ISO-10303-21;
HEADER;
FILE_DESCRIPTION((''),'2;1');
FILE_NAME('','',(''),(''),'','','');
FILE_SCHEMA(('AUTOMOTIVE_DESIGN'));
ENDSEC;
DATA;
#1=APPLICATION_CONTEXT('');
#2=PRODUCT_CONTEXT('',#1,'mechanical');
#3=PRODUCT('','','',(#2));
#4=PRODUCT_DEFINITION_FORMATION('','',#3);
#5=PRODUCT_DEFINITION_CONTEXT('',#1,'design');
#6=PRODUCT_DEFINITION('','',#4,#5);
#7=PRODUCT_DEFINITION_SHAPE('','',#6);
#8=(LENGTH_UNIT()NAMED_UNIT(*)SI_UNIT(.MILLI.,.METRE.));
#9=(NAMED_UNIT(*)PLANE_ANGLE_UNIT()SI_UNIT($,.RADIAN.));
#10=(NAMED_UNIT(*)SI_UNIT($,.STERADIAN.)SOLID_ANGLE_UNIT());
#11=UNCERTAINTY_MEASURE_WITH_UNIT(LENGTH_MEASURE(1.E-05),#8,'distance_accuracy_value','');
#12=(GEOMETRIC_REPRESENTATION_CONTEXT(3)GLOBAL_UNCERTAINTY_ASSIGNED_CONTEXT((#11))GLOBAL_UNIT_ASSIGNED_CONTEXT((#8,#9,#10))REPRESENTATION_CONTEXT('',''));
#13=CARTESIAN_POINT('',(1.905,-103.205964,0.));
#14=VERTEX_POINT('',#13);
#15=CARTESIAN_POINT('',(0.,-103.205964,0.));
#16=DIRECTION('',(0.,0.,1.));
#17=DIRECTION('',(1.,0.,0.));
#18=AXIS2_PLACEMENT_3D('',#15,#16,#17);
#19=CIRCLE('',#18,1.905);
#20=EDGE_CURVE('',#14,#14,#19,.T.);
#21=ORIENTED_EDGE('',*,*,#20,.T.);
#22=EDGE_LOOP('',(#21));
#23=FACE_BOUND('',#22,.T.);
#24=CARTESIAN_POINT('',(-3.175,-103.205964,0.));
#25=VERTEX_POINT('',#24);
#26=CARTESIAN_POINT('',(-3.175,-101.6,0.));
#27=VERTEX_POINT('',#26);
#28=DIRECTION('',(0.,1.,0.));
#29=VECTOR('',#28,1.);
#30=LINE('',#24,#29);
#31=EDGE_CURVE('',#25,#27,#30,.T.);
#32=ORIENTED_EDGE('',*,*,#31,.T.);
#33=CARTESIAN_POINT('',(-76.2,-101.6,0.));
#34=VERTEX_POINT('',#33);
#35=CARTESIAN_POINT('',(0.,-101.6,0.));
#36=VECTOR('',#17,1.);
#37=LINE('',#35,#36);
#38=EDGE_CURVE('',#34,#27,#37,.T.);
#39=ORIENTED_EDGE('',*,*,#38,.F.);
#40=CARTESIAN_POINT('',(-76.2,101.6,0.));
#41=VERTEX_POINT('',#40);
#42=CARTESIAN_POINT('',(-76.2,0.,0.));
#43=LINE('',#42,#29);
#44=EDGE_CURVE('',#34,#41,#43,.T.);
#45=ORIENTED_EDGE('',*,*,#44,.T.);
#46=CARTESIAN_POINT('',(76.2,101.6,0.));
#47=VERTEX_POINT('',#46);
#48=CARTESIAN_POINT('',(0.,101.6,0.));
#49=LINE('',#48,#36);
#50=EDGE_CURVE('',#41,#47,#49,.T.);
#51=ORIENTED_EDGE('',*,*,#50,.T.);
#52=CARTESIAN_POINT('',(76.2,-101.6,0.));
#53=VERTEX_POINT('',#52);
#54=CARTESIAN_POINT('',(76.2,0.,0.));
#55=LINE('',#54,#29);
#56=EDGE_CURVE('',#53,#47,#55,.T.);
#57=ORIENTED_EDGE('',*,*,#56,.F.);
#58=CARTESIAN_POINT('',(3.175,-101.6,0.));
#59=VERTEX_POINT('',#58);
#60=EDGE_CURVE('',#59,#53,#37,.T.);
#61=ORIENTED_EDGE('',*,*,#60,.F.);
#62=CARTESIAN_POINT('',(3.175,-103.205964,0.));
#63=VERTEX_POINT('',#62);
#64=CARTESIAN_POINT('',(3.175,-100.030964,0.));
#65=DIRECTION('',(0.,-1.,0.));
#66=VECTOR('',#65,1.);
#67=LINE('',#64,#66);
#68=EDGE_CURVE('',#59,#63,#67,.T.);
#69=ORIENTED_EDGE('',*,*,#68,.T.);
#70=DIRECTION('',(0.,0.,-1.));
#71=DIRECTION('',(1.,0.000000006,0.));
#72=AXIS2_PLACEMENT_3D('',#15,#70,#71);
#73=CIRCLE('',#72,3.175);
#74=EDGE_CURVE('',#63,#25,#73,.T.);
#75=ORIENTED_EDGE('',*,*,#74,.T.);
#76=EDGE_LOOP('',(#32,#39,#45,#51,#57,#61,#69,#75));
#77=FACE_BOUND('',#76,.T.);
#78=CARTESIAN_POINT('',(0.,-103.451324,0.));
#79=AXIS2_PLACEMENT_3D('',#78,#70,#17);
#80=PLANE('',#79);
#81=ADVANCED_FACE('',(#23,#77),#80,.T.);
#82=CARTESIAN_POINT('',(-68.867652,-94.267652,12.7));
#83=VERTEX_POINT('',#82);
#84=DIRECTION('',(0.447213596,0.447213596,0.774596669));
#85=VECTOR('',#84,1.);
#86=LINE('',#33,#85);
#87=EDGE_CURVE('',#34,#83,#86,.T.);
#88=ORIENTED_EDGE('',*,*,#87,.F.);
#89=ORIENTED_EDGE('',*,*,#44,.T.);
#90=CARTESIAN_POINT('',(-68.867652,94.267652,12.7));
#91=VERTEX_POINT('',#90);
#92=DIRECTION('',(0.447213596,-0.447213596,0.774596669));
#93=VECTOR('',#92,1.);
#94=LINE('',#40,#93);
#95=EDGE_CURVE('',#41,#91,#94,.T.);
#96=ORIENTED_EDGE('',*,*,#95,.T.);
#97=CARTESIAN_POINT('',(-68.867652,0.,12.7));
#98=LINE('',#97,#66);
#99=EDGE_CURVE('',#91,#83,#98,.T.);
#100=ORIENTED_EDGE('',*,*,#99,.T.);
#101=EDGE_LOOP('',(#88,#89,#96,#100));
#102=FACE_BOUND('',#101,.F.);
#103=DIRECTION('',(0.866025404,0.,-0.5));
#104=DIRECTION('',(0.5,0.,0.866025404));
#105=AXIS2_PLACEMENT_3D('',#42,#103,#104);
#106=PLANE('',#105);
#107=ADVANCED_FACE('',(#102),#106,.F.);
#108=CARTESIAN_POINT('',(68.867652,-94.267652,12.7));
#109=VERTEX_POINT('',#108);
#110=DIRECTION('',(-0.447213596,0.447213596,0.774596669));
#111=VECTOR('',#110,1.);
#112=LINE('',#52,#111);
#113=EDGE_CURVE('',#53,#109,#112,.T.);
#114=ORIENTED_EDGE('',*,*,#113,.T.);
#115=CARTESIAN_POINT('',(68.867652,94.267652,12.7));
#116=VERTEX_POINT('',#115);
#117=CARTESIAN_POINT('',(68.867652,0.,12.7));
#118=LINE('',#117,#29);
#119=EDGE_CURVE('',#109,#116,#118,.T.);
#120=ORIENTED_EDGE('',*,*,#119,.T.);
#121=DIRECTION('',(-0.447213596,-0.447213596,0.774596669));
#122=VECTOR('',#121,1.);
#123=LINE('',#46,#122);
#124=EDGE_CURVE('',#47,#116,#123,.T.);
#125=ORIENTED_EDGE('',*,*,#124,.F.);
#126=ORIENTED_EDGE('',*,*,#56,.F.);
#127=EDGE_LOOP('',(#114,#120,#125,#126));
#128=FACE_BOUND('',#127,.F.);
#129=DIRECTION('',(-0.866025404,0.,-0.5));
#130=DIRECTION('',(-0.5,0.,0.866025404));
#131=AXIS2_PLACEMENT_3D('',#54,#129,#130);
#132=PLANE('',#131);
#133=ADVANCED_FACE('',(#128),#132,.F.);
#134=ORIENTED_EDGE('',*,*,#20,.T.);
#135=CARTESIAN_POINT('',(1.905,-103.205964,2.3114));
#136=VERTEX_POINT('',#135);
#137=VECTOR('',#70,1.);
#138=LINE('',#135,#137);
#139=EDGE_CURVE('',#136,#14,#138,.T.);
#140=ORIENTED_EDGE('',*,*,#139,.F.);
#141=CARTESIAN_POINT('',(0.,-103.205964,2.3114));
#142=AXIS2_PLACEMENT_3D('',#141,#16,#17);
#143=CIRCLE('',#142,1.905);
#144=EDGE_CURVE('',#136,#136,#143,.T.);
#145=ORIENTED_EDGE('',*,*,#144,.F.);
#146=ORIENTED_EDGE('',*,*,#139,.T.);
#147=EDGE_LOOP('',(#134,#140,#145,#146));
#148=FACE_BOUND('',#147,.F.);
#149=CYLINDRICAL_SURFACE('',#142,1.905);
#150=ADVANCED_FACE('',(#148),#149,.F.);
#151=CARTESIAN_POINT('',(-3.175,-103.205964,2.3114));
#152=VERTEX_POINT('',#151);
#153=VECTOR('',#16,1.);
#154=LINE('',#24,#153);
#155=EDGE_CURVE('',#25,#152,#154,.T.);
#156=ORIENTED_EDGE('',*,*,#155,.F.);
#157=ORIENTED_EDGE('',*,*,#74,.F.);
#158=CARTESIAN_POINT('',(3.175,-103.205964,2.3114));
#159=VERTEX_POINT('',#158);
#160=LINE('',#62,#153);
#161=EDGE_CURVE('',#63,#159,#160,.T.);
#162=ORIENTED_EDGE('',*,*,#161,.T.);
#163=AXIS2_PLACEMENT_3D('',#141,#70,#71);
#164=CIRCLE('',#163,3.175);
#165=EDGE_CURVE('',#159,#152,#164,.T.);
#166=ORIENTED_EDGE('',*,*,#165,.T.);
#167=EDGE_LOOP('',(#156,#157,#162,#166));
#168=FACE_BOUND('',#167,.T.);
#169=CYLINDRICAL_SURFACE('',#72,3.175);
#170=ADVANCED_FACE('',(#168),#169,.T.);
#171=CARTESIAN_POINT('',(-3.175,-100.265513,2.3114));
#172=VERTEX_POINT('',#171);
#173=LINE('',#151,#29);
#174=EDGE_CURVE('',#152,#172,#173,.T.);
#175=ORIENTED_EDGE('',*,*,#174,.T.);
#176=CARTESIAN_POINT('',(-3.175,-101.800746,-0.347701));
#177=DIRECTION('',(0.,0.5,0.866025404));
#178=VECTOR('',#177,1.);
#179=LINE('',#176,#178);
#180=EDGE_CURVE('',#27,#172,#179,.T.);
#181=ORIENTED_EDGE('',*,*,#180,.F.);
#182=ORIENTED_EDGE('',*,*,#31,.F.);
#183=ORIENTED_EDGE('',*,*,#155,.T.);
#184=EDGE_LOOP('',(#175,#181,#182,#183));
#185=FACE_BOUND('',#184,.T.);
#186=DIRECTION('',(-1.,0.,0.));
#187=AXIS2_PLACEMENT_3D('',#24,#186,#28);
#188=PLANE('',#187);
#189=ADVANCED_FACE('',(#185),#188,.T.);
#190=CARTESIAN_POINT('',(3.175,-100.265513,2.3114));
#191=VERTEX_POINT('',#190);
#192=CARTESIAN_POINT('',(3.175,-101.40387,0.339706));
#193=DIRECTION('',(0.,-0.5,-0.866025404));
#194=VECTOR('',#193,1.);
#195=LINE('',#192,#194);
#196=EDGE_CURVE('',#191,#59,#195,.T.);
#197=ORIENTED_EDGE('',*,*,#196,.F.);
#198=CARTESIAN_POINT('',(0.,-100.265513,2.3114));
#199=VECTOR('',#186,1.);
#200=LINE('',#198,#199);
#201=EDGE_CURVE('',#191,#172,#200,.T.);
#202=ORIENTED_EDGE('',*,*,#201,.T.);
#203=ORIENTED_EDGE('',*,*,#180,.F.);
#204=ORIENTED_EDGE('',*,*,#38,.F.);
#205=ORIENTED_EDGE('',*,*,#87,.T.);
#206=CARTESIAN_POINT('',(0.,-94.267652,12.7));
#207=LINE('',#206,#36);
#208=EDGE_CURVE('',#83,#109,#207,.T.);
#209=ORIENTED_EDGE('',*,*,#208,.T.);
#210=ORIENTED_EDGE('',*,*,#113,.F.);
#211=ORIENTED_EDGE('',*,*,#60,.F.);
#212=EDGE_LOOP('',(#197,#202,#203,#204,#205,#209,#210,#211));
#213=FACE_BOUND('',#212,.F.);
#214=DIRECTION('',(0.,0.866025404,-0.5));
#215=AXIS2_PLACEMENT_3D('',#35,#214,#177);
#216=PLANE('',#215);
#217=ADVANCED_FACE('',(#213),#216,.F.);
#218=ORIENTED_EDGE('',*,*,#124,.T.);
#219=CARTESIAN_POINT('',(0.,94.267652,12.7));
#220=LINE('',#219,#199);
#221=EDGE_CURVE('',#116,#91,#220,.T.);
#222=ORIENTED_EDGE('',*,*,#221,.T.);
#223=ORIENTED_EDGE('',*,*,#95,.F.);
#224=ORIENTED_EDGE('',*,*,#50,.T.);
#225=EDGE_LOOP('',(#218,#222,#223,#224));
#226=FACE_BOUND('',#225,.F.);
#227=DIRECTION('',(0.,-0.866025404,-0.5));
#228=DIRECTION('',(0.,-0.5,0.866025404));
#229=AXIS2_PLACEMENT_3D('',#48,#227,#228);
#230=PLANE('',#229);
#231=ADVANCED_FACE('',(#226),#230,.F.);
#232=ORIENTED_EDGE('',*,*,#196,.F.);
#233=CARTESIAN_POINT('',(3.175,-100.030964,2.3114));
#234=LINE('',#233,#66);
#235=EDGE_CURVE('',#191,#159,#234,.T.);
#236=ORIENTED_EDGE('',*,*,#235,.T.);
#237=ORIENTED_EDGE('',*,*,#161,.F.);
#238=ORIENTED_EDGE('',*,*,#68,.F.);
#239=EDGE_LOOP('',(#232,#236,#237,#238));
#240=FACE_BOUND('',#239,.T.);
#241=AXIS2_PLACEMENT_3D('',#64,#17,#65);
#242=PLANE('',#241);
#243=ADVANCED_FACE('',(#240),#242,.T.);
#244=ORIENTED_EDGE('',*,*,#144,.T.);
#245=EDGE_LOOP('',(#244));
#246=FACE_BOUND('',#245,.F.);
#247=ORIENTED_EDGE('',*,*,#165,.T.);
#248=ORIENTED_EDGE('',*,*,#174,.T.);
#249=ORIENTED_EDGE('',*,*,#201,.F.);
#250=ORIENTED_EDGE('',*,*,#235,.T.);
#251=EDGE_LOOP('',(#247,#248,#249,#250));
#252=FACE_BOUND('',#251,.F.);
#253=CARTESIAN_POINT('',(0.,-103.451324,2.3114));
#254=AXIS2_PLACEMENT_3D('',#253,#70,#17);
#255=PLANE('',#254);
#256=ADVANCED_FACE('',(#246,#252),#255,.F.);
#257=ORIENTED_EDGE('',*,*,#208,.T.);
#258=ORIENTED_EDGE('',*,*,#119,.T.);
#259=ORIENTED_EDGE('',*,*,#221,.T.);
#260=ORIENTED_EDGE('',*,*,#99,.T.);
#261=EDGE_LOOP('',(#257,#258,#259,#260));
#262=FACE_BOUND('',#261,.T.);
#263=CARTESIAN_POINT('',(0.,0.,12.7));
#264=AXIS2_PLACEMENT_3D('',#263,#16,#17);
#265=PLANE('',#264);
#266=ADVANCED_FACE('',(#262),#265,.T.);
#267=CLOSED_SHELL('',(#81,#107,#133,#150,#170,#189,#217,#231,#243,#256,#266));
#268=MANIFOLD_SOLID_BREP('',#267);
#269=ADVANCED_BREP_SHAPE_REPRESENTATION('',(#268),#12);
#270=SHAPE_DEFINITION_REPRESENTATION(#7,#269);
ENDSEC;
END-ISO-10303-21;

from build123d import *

# Parameters (mm, degrees)
F0_W     = 152.4
F0_H     = 203.2
F1_DEPTH = 12.7
F1_TAPER = 30
F2_W     = 6.35
F2_H     = 1.5690360503
F3_DEPTH = 2.3114
F4_R     = 1.905
F5_DEPTH = 25.4


with BuildPart() as f1:
    # F0 (on Top) → F1 (new body)
    with BuildSketch(Plane.XY):
        Rectangle(F0_W, F0_H)
    extrude(amount=F1_DEPTH, taper=F1_TAPER)

    # F2 (on face) → F3 (join)
    with BuildSketch(Plane(origin=(0, 0, 0), x_dir=(1, 0, 0), z_dir=(0, 0, -1))):
        with BuildLine():
            Line((-3.175, 101.6), (3.175, 101.6))
            Line((3.175, 101.6), (3.175, 103.2059639497))
            ThreePointArc((3.175, 103.2059639497), (1.125e-07, 106.3809639692), (-3.175, 103.2059641746))
            Line((-3.175, 103.2059641746), (-3.175, 101.6))
        make_face()
        with Locations((0, 100.8154819748)):
            Rectangle(F2_W, F2_H)
    extrude(amount=-F3_DEPTH)

    # F4 (on face) → F5 (cut)
    with BuildSketch(Plane.XY.offset(2.3114)):
        with Locations((0, -103.2059639692)):
            Circle(F4_R)
    extrude(amount=-F5_DEPTH, mode=Mode.SUBTRACT)


solid = f1.part
